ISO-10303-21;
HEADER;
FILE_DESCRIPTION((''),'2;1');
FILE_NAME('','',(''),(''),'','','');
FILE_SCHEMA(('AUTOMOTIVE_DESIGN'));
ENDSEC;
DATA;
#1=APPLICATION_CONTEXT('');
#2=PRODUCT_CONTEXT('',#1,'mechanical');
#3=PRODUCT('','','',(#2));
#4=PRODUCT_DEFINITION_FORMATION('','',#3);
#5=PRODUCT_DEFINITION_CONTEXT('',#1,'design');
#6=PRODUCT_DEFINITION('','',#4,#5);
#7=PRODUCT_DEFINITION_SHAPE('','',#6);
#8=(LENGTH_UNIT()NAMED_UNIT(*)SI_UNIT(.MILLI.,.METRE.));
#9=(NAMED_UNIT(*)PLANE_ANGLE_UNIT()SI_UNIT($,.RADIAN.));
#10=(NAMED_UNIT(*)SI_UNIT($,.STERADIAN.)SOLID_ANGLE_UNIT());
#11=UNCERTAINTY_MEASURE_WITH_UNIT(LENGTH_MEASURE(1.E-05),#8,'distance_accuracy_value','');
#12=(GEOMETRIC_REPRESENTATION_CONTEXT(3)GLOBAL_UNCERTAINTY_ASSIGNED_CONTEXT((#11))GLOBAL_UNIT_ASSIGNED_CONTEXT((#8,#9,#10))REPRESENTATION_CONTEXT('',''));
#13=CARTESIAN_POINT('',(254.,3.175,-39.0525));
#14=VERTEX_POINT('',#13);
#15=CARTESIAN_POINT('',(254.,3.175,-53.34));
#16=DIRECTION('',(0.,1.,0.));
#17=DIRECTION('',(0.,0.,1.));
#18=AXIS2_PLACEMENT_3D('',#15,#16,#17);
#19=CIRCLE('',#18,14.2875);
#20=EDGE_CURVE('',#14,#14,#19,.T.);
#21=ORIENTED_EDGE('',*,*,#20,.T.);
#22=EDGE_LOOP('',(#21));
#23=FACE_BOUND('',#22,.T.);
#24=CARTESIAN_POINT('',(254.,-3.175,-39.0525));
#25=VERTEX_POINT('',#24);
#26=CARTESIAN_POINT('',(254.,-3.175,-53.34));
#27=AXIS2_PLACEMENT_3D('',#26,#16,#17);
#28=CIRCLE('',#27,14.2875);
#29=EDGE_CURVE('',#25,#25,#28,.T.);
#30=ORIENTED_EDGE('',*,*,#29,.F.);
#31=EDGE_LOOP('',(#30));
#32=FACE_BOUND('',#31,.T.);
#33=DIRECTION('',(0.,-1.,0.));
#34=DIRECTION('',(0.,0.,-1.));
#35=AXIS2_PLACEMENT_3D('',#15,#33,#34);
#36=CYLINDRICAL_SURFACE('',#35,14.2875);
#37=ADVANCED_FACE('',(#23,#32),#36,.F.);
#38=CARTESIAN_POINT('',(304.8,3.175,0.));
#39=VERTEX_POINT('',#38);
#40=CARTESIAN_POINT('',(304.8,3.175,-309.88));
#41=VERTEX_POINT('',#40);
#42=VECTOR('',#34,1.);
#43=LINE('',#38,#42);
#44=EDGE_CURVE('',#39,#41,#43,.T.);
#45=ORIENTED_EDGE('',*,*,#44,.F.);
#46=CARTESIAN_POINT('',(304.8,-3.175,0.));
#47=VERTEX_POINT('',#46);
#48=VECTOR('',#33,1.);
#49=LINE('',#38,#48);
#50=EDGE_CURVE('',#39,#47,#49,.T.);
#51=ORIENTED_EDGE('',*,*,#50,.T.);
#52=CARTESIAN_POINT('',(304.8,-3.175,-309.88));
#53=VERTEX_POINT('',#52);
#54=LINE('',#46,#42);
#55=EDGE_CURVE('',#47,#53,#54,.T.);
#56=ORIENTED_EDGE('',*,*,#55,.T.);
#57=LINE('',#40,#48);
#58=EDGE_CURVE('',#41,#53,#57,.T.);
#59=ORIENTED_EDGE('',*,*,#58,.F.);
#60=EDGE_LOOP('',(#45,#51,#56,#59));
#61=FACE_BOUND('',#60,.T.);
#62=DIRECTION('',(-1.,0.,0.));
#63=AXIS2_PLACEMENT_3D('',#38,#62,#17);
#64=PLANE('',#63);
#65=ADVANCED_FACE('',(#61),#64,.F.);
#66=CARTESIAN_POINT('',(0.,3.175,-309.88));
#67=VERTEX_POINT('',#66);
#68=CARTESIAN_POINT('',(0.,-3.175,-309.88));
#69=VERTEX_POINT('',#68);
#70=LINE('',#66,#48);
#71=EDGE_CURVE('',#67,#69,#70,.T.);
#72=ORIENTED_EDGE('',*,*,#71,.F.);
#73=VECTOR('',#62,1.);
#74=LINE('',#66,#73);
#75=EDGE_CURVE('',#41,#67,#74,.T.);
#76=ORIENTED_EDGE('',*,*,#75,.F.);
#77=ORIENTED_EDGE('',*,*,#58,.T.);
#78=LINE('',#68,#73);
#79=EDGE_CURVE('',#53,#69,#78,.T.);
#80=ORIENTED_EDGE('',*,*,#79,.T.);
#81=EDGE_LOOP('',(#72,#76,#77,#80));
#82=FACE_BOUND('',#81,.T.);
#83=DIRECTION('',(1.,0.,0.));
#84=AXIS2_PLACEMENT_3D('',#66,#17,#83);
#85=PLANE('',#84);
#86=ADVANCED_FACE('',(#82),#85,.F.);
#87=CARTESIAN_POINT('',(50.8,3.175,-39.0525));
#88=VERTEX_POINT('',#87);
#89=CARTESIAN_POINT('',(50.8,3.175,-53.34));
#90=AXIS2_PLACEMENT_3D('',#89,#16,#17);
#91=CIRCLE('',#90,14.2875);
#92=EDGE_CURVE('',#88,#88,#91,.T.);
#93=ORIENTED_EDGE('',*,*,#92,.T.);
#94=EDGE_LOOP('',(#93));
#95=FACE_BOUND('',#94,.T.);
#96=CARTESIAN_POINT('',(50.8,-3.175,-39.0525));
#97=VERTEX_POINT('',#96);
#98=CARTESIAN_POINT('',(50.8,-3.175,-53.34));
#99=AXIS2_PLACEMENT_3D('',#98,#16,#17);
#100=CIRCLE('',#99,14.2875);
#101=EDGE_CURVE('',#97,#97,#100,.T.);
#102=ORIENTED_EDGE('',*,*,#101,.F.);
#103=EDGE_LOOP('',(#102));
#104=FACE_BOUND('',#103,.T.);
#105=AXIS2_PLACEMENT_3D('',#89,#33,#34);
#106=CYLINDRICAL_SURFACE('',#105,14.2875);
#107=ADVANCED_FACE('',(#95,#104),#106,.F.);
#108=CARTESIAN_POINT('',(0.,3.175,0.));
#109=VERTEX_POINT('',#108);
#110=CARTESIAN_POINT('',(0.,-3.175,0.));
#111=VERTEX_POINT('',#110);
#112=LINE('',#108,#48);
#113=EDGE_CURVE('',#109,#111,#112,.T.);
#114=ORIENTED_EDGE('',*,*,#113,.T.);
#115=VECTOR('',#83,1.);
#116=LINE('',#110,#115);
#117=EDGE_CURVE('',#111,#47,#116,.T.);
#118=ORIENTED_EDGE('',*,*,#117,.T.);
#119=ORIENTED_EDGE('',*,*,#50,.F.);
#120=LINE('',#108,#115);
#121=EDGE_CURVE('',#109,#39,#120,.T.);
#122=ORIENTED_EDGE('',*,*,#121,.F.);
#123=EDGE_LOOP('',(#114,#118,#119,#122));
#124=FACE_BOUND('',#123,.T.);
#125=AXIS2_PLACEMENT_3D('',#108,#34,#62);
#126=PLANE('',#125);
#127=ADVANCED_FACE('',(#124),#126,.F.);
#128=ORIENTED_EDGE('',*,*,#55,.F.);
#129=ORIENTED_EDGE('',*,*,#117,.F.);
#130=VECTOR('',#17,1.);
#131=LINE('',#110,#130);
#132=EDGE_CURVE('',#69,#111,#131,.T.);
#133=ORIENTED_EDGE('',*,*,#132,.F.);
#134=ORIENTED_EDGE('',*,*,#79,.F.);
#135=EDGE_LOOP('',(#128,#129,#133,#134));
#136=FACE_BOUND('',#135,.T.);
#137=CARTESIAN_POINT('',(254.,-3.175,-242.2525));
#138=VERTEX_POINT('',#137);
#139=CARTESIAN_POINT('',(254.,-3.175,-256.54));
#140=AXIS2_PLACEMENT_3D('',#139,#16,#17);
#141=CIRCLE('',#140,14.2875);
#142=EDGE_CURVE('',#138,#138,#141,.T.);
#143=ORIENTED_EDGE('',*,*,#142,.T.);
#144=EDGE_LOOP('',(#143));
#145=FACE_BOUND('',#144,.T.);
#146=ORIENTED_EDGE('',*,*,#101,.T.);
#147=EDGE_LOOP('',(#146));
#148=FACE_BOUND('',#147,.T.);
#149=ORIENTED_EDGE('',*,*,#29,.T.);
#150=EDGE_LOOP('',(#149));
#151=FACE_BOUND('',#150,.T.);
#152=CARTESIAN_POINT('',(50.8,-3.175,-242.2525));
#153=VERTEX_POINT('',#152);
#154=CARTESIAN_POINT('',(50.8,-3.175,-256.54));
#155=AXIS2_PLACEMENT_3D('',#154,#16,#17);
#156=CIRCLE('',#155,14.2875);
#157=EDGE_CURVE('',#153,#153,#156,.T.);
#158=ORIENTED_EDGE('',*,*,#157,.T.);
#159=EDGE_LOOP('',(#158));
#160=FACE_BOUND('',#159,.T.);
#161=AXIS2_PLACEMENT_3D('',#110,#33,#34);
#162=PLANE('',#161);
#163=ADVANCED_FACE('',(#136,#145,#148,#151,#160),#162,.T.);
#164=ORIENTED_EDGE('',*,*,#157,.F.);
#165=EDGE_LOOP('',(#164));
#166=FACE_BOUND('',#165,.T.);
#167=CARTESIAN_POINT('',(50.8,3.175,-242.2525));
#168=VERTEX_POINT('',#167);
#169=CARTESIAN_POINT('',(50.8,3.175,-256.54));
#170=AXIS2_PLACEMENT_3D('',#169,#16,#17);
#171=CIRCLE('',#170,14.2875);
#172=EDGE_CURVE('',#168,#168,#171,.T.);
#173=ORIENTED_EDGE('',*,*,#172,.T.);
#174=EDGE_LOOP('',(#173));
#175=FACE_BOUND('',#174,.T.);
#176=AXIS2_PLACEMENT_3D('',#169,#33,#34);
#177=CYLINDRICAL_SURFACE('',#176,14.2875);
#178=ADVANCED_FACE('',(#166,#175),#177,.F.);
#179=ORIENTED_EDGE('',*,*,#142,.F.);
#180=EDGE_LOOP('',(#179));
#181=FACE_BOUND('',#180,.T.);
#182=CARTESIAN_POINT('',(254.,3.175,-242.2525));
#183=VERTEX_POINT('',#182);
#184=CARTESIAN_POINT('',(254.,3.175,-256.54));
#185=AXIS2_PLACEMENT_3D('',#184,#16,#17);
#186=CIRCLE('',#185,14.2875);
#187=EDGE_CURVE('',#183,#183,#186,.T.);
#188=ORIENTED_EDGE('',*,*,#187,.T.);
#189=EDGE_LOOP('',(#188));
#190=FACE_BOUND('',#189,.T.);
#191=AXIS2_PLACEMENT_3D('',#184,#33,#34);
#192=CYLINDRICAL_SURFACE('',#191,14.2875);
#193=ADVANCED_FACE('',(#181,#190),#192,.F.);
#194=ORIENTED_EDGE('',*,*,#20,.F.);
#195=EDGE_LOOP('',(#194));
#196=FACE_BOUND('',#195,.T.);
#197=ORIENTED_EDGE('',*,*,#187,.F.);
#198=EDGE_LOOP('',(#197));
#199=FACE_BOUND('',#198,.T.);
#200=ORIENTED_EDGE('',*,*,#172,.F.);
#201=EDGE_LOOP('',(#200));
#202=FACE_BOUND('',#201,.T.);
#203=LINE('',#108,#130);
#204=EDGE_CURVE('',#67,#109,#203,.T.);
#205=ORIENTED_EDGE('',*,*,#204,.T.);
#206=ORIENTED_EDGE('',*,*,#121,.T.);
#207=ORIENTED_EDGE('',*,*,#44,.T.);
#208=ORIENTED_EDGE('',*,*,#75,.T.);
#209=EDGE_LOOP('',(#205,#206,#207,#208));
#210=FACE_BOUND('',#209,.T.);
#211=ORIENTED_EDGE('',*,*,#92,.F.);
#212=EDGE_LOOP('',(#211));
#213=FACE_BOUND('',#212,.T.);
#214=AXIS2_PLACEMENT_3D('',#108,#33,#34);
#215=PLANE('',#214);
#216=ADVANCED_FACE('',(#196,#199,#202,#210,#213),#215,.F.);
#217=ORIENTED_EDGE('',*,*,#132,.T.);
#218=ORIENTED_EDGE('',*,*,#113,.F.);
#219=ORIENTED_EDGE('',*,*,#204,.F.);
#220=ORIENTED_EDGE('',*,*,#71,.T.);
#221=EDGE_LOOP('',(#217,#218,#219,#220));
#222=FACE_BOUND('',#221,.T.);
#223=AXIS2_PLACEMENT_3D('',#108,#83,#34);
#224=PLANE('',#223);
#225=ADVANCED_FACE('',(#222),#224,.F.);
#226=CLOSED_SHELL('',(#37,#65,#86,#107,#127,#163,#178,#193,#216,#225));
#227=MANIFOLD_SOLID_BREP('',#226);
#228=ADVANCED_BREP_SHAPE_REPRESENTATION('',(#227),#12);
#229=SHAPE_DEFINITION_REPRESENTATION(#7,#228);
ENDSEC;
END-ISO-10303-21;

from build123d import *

# Parameters (mm, degrees)
SKETCH1_W           = 304.8
SKETCH1_H           = 309.88
SKETCH1_R           = 14.2875
BOSS_EXTRUDE1_DEPTH = 3.175


with BuildPart() as part:
    # Sketch1 → Boss-Extrude1 (new body, symmetric)
    with BuildSketch(Plane(origin=(0, 0, 0), x_dir=(1, 0, 0), z_dir=(0, 1, 0))):
        with Locations((152.4, 154.94)):
            Rectangle(SKETCH1_W, SKETCH1_H)
        with Locations((50.8, 53.34)):
            Circle(SKETCH1_R, mode=Mode.SUBTRACT)
        with Locations((254, 53.34)):
            Circle(SKETCH1_R, mode=Mode.SUBTRACT)
        with Locations((50.8, 256.54)):
            Circle(SKETCH1_R, mode=Mode.SUBTRACT)
        with Locations((254, 256.54)):
            Circle(SKETCH1_R, mode=Mode.SUBTRACT)
    extrude(amount=BOSS_EXTRUDE1_DEPTH, both=True)


solid = part.part
